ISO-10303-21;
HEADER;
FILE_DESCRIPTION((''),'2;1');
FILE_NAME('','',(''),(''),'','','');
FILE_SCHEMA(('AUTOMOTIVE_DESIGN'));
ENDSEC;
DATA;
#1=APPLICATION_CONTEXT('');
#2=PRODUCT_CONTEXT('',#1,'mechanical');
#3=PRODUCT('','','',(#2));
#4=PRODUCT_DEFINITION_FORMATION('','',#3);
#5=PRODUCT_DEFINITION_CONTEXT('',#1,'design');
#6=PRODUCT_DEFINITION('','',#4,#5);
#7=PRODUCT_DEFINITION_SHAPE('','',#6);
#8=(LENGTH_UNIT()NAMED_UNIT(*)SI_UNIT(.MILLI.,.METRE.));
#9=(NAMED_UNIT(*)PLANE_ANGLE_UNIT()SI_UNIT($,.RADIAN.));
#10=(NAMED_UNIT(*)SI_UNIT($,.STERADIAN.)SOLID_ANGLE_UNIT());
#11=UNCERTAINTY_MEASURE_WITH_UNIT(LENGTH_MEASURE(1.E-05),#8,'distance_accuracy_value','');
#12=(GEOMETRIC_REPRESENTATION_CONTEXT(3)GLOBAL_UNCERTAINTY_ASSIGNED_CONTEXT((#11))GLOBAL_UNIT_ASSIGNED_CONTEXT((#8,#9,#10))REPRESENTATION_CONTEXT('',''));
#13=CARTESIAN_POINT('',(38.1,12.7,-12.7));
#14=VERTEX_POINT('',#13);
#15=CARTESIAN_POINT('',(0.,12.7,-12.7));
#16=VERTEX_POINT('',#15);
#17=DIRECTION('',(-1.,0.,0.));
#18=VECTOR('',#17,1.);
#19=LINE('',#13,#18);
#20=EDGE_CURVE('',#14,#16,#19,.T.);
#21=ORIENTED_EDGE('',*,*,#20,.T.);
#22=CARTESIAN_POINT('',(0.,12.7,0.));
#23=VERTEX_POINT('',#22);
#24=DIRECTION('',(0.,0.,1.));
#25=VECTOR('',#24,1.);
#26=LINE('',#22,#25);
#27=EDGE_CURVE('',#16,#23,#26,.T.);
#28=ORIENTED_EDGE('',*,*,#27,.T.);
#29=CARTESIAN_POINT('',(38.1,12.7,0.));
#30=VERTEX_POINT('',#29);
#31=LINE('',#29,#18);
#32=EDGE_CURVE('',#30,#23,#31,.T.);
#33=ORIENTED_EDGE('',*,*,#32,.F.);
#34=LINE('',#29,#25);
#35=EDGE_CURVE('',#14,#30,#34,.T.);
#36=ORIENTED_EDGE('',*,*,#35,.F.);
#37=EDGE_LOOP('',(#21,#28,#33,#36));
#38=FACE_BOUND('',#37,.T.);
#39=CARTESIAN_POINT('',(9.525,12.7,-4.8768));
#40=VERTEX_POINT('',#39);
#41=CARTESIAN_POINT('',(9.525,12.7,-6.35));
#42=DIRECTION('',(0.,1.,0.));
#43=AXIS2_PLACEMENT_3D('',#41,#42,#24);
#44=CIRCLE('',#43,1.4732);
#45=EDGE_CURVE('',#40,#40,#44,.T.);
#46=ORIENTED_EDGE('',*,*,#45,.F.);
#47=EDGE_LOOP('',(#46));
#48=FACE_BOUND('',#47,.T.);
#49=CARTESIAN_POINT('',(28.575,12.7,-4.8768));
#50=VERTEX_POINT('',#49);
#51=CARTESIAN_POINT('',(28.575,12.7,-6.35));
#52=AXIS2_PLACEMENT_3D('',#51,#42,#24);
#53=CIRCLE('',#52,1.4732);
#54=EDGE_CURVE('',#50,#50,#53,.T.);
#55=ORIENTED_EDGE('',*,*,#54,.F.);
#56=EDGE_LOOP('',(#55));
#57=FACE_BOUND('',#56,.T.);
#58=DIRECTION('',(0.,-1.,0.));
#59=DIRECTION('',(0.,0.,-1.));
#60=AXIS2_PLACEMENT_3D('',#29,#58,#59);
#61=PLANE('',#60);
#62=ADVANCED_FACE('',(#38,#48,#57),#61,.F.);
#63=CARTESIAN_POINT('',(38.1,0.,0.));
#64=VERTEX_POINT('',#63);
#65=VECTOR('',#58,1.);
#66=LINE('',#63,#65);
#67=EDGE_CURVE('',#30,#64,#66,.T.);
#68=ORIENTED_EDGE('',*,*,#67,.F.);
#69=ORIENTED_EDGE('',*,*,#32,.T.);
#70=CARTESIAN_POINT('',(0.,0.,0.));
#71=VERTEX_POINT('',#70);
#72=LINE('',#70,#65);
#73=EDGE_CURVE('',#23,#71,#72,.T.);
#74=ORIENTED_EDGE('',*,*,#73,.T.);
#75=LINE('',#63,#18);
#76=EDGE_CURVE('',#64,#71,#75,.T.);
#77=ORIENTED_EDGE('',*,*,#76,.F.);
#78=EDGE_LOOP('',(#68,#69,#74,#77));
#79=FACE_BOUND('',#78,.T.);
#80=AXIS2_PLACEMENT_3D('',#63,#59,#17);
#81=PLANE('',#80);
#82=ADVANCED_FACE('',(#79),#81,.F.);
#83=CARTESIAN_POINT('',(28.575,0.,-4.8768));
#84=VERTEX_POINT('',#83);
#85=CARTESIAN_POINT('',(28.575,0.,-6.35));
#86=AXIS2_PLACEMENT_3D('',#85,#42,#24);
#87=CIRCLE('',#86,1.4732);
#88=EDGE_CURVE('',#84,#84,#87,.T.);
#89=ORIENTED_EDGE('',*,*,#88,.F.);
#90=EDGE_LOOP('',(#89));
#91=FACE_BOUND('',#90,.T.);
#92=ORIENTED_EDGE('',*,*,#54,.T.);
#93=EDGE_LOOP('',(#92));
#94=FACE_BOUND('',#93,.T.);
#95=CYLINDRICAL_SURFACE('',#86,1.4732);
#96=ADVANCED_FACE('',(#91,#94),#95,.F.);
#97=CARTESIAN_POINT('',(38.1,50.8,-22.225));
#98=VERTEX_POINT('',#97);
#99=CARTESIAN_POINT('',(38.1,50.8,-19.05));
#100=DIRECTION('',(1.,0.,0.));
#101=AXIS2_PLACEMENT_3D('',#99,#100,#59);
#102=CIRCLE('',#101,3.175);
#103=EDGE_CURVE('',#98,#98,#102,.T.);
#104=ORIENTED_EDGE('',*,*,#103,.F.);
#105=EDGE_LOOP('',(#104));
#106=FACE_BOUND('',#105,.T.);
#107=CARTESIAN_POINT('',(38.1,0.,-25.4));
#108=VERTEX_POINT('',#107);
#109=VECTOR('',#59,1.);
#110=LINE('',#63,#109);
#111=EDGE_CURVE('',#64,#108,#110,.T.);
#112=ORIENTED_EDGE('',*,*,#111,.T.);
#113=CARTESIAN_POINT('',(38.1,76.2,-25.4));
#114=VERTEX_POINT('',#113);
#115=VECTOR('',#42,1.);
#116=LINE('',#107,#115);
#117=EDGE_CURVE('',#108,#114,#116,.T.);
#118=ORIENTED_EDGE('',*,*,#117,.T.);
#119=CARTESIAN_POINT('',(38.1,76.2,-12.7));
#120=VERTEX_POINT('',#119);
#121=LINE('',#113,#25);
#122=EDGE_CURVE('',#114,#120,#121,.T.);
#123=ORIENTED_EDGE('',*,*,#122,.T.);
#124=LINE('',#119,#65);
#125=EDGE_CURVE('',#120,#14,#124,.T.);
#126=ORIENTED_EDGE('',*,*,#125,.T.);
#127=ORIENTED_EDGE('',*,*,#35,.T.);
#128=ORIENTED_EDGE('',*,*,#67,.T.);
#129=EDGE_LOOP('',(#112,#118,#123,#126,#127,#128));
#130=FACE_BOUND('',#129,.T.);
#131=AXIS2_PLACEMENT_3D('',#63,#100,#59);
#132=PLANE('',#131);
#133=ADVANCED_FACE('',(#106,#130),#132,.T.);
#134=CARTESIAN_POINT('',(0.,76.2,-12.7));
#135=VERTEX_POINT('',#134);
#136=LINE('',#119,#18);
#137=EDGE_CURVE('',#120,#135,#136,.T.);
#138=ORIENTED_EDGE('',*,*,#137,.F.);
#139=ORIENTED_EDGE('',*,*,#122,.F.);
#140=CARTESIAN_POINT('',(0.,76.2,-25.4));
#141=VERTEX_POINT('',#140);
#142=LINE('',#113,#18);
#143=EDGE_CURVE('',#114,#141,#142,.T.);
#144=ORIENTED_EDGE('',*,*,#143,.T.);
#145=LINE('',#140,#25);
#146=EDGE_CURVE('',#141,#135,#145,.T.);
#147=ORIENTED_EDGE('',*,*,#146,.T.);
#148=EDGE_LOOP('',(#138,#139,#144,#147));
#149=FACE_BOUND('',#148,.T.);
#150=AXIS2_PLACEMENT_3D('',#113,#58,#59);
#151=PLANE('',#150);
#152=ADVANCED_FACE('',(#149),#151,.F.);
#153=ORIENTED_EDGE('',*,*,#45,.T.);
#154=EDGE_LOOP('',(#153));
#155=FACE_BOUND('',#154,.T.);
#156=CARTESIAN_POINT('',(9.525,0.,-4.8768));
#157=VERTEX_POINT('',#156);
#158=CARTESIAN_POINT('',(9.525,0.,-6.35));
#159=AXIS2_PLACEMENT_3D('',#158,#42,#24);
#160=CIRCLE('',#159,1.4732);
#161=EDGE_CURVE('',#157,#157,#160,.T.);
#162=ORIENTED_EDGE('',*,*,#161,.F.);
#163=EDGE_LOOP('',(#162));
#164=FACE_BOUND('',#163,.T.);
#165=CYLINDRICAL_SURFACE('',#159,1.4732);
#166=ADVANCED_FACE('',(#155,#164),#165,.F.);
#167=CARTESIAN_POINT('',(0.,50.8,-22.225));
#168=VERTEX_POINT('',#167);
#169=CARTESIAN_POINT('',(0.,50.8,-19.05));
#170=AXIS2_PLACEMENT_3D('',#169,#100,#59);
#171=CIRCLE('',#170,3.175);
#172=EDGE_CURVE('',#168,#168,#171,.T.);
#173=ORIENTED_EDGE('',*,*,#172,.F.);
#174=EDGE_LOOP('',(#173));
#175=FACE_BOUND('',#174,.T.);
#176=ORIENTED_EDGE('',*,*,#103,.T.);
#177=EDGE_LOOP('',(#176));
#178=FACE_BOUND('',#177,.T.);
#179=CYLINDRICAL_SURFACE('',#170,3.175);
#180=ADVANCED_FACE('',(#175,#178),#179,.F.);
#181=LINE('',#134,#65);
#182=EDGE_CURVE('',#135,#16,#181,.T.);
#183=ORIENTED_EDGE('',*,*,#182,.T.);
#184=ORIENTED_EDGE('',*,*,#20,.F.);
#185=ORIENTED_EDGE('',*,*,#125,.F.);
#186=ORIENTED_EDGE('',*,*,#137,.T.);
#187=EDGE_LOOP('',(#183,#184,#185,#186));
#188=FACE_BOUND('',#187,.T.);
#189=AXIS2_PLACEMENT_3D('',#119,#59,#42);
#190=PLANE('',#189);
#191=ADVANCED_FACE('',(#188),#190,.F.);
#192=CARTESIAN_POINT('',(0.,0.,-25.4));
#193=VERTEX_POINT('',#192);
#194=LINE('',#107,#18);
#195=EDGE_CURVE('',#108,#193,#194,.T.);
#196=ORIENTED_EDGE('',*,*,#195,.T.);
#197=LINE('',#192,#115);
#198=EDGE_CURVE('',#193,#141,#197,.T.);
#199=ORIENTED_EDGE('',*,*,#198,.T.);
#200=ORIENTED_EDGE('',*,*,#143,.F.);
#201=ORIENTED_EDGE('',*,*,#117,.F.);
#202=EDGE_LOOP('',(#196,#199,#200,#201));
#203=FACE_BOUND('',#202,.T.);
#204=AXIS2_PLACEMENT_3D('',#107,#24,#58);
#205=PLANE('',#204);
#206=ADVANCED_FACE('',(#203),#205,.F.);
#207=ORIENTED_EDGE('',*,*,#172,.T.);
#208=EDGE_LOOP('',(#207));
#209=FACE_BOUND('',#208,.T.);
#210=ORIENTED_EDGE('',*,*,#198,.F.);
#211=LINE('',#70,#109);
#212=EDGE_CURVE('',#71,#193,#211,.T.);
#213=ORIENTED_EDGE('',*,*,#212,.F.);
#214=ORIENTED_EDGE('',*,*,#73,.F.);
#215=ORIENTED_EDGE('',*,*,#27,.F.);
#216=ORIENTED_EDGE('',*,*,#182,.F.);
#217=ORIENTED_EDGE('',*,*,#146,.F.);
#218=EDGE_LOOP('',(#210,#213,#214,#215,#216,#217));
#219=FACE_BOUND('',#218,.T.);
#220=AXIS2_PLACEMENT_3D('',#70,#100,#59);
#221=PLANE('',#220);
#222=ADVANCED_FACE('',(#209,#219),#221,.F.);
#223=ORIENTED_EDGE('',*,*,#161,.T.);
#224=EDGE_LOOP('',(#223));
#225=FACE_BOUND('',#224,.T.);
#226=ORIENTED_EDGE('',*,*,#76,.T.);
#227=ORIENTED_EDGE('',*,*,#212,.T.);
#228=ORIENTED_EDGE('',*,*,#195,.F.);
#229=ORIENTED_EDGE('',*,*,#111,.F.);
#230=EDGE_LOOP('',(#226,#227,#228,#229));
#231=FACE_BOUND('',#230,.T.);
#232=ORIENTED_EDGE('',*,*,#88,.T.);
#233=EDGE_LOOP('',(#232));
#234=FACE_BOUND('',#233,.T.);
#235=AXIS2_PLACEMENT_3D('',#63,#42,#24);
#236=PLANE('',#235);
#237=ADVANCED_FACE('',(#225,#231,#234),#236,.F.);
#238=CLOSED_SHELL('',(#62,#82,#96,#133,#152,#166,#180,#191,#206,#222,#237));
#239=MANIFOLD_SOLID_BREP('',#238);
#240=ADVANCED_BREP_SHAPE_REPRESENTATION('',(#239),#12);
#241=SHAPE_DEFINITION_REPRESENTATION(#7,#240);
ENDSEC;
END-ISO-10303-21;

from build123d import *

# Parameters (mm, degrees)
BOSS_EXTRUDE1_DEPTH = 38.1
SKETCH2_R           = 3.175
CUT_EXTRUDE1_DEPTH  = 39.1
SKETCH3_R           = 1.4732
CUT_EXTRUDE2_DEPTH  = 13.7


with BuildPart() as part:
    # Sketch1 → Boss-Extrude1 (new body)
    with BuildSketch(Plane(origin=(0, 0, 0), x_dir=(0, 0, -1), z_dir=(1, 0, 0))):
        Polygon((0, 0), (0, 12.7), (12.7, 12.7), (12.7, 76.2), (25.4, 76.2), (25.4, 0), align=None)
    extrude(amount=BOSS_EXTRUDE1_DEPTH)

    # Sketch2 → Cut-Extrude1 (cut, through all)
    with BuildSketch(Plane(origin=(38.1, 0, 0), x_dir=(0, 0, -1), z_dir=(1, 0, 0))):
        with Locations((19.05, 50.8)):
            Circle(SKETCH2_R)
    extrude(amount=-CUT_EXTRUDE1_DEPTH, mode=Mode.SUBTRACT)

    # Sketch3 → Cut-Extrude2 (cut, through all)
    with BuildSketch(Plane(origin=(0, 12.7, 0), x_dir=(1, 0, 0), z_dir=(0, 1, 0))):
        with Locations((9.525, 6.35)):
            Circle(SKETCH3_R)
        with Locations((28.575, 6.35)):
            Circle(SKETCH3_R)
    extrude(amount=-CUT_EXTRUDE2_DEPTH, mode=Mode.SUBTRACT)


solid = part.part
